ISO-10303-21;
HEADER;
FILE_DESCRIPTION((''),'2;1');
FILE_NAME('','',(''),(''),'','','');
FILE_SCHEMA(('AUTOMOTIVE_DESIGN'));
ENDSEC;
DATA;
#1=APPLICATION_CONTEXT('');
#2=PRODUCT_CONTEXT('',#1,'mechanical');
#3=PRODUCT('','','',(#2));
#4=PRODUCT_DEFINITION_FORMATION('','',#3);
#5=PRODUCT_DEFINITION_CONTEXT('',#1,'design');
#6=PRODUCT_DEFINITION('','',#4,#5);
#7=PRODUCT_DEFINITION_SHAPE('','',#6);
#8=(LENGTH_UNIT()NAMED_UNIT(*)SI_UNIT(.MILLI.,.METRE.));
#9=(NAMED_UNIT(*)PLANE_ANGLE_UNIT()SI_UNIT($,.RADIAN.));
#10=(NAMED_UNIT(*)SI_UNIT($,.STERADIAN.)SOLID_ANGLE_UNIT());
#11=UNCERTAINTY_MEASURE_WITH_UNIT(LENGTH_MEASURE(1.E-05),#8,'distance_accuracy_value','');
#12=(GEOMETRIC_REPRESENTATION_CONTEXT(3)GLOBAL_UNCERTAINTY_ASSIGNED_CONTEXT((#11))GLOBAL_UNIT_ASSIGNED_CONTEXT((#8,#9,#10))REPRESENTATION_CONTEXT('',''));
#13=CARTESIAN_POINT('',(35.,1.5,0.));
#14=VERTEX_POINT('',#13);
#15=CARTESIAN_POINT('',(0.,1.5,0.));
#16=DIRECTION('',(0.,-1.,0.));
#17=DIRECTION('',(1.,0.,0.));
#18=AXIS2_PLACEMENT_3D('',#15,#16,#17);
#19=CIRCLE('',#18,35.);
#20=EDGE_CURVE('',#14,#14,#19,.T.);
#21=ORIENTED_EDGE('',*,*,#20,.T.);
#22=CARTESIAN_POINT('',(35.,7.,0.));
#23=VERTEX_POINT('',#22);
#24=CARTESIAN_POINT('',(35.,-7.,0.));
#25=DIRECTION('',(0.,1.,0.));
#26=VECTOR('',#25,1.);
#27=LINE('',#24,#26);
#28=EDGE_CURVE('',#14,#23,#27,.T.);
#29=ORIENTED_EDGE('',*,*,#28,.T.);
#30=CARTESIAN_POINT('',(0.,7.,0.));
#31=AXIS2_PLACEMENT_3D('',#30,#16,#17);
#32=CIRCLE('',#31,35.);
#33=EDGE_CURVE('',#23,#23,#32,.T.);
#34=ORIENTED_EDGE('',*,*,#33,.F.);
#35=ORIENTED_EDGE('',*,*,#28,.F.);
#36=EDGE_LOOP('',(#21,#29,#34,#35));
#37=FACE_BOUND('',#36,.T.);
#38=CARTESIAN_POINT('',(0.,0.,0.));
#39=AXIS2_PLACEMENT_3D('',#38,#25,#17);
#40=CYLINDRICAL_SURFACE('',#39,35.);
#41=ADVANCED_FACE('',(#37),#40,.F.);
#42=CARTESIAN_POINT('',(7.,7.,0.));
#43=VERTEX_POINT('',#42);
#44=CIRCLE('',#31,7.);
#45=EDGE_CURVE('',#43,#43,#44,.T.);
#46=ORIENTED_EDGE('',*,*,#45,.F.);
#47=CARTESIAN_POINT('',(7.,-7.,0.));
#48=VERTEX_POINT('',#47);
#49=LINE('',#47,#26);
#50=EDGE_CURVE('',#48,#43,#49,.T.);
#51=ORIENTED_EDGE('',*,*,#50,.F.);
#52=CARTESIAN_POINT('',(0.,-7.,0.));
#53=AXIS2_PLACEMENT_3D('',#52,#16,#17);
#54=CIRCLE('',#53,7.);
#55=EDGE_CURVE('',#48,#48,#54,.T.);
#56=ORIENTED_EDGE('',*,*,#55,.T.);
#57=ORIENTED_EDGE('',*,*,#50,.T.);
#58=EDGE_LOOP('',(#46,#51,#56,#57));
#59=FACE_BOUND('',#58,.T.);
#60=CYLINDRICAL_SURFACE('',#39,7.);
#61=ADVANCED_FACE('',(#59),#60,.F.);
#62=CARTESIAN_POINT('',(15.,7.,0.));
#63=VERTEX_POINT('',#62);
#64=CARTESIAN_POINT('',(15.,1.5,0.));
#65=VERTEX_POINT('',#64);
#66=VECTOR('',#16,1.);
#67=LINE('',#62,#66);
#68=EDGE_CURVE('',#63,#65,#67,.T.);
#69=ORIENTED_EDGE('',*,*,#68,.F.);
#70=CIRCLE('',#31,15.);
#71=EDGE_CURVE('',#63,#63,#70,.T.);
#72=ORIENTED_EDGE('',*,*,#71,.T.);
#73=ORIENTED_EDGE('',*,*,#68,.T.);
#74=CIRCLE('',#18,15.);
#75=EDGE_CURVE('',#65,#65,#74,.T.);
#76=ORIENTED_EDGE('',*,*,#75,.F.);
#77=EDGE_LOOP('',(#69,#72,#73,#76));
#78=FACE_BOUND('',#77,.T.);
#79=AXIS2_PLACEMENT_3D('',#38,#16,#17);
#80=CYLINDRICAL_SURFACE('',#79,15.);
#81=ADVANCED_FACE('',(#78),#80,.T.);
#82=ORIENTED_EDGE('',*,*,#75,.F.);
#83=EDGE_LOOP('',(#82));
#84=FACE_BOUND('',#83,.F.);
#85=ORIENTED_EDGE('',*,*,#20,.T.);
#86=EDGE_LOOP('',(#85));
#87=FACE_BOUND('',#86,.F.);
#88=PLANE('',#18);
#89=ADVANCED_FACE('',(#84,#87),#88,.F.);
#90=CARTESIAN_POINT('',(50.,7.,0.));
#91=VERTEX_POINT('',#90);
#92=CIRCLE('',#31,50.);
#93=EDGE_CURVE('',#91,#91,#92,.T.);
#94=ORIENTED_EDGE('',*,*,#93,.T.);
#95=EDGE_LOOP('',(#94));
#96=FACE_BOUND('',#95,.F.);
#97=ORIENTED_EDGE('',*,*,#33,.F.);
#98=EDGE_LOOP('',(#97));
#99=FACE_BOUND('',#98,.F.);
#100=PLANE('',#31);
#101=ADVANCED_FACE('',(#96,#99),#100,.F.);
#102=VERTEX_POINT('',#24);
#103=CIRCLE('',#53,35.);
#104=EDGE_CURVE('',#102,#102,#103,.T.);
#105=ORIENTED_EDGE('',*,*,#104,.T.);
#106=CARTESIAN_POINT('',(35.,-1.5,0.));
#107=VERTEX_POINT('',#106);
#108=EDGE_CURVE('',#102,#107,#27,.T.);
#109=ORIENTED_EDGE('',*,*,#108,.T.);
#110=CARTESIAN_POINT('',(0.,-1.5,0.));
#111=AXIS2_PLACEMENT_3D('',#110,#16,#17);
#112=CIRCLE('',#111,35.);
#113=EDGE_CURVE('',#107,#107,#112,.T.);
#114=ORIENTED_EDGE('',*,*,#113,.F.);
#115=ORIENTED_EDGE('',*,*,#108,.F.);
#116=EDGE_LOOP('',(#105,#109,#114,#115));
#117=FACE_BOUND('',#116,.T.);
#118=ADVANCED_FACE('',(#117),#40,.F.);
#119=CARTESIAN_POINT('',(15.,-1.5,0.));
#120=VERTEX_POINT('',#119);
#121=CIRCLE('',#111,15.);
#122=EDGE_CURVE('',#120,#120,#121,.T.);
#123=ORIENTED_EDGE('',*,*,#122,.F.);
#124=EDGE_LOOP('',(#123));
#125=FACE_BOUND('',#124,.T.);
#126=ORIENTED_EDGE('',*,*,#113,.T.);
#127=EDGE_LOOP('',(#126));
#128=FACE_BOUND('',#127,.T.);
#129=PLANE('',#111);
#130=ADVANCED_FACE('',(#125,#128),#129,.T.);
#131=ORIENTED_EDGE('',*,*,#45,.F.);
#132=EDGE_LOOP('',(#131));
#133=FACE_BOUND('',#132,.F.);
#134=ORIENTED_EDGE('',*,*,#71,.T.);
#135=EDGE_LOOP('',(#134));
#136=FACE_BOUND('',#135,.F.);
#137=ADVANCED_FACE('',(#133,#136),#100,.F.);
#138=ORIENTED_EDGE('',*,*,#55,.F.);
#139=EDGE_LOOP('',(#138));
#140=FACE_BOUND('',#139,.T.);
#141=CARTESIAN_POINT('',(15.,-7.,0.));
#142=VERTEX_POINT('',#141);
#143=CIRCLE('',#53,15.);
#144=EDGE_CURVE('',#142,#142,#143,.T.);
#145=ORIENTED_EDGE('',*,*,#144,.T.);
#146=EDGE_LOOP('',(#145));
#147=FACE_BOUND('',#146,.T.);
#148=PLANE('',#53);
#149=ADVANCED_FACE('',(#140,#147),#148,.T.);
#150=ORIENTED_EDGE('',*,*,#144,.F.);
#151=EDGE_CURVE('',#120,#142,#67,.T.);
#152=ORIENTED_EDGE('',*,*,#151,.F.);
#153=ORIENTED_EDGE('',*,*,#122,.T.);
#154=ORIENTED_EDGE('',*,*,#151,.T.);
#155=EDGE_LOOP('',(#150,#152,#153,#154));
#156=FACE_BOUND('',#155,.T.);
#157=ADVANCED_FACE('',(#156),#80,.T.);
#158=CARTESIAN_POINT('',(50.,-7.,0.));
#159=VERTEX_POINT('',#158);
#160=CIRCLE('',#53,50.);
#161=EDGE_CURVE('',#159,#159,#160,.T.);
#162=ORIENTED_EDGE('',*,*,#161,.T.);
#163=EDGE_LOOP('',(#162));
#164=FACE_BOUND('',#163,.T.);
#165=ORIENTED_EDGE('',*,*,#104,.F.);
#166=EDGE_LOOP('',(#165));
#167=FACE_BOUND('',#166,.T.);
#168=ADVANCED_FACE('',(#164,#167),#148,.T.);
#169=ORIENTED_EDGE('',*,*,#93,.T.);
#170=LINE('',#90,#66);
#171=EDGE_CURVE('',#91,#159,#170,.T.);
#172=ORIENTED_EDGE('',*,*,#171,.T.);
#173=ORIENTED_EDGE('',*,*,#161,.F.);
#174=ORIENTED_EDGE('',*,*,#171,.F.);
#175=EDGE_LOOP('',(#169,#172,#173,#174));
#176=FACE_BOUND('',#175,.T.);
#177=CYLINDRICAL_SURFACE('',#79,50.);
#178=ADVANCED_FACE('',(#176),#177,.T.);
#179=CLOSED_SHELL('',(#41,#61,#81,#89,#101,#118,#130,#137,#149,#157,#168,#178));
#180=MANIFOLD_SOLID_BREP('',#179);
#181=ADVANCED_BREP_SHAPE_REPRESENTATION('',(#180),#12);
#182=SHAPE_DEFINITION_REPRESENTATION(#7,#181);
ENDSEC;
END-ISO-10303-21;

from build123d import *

# Parameters (mm, degrees)
F0_R     = 50
F0_R_2   = 35
F1_DEPTH = 7
F0_R_3   = 15
F2_DEPTH = 1.5
F0_R_4   = 7
F3_DEPTH = 7


with BuildPart() as f1:
    # F0 (on Front) → F1 (new body, symmetric)
    with BuildSketch(Plane.XZ):
        Circle(F0_R)
        Circle(F0_R_2, mode=Mode.SUBTRACT)
    extrude(amount=F1_DEPTH, both=True)

    # F0 (on Front) → F2 (join, symmetric)
    with BuildSketch(Plane.XZ):
        Circle(F0_R_2)
        Circle(F0_R_3, mode=Mode.SUBTRACT)
    extrude(amount=F2_DEPTH, both=True)

    # F0 (on Front) → F3 (join, symmetric)
    with BuildSketch(Plane.XZ):
        Circle(F0_R_3)
        Circle(F0_R_4, mode=Mode.SUBTRACT)
    extrude(amount=F3_DEPTH, both=True)


solid = f1.part
